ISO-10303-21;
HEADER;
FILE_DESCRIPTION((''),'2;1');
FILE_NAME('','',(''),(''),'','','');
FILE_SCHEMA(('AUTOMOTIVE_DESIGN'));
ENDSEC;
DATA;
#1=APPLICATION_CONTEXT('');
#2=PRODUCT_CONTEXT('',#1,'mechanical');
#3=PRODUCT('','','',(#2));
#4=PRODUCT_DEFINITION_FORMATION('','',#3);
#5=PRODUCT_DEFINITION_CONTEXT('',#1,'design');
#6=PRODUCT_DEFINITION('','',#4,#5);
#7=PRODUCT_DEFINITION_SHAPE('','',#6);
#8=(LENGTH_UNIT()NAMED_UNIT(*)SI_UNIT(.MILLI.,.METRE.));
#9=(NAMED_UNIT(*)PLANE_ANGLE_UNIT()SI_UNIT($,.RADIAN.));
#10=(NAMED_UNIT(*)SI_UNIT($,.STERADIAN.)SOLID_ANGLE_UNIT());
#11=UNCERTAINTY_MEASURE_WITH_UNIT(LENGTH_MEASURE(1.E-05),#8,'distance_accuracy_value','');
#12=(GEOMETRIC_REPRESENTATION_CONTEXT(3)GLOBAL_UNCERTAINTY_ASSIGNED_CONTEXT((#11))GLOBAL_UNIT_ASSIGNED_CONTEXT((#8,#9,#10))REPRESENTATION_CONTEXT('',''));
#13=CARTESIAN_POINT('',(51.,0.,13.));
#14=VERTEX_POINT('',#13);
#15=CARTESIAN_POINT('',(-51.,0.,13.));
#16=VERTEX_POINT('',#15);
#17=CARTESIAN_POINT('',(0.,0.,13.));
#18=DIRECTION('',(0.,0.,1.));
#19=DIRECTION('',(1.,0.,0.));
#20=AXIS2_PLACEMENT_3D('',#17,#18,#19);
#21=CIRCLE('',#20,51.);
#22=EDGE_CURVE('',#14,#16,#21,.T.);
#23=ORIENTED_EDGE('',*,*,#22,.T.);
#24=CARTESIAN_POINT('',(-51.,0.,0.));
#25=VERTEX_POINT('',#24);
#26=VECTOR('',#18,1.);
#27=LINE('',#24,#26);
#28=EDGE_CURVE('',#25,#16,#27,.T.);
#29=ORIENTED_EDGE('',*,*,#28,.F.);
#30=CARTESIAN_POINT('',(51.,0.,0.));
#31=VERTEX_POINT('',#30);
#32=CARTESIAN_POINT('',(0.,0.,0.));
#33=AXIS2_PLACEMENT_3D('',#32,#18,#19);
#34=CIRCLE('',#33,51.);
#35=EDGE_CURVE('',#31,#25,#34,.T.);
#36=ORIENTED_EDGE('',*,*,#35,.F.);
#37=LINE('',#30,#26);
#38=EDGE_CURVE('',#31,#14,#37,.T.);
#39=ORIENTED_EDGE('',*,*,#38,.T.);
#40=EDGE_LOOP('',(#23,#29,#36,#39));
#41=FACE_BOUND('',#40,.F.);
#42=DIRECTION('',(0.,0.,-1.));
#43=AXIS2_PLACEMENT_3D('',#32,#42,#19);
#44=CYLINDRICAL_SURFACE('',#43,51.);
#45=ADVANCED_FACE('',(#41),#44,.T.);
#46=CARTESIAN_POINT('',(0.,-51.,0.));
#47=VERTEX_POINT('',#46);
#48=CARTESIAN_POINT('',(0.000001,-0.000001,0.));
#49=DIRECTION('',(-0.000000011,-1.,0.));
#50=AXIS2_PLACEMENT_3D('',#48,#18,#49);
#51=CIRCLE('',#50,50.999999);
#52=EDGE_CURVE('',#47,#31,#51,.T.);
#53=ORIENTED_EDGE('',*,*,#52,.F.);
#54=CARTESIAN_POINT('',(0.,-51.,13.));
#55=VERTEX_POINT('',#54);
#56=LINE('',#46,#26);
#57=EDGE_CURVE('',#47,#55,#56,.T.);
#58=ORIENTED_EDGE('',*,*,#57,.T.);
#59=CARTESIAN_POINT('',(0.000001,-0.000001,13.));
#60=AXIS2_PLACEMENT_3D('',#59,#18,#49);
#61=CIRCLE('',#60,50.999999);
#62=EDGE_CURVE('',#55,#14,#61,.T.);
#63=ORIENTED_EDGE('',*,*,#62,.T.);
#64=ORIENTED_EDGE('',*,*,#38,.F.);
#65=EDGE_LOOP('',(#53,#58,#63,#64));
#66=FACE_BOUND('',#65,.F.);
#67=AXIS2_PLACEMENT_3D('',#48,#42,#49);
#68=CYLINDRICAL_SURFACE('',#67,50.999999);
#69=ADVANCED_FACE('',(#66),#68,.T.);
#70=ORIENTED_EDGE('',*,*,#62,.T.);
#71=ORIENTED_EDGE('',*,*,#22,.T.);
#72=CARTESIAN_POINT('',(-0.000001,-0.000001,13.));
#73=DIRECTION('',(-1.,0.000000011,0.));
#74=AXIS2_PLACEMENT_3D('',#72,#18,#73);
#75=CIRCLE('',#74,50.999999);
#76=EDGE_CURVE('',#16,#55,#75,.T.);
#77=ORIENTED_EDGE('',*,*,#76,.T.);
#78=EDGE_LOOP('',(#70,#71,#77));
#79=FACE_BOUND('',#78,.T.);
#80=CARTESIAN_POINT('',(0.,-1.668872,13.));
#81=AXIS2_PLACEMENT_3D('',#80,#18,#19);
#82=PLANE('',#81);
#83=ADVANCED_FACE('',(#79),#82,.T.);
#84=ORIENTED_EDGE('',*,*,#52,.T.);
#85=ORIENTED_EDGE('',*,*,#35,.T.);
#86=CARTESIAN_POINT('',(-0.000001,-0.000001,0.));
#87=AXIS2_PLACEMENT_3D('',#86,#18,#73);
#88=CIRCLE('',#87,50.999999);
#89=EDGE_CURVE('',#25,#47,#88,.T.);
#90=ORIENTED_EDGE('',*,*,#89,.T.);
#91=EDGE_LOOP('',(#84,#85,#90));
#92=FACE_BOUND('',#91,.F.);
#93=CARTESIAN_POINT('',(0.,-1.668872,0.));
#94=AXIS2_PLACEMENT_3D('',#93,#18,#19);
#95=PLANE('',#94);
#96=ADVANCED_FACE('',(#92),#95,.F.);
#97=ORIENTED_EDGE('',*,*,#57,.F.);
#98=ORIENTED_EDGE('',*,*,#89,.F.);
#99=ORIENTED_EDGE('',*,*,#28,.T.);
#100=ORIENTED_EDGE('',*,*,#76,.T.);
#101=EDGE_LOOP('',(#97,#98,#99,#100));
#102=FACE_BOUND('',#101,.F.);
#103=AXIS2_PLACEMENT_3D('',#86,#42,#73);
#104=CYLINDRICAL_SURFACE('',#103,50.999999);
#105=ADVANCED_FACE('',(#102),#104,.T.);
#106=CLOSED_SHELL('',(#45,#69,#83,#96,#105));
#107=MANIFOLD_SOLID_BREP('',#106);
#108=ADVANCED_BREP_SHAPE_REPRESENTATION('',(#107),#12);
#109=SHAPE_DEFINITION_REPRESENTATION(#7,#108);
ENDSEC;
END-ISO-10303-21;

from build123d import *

# Parameters (mm, degrees)
F1_DEPTH = 13


with BuildPart() as f1:
    # F0 (on Top) → F1 (new body)
    with BuildSketch(Plane.XY):
        with BuildLine():
            ThreePointArc((0, -51), (36.062446, -36.062446), (51, 0))
            ThreePointArc((51, 0), (0, 51), (-51, 0))
            ThreePointArc((-51, 0), (-36.062446, -36.062446), (0, -51))
        make_face()
    extrude(amount=F1_DEPTH)


solid = f1.part
